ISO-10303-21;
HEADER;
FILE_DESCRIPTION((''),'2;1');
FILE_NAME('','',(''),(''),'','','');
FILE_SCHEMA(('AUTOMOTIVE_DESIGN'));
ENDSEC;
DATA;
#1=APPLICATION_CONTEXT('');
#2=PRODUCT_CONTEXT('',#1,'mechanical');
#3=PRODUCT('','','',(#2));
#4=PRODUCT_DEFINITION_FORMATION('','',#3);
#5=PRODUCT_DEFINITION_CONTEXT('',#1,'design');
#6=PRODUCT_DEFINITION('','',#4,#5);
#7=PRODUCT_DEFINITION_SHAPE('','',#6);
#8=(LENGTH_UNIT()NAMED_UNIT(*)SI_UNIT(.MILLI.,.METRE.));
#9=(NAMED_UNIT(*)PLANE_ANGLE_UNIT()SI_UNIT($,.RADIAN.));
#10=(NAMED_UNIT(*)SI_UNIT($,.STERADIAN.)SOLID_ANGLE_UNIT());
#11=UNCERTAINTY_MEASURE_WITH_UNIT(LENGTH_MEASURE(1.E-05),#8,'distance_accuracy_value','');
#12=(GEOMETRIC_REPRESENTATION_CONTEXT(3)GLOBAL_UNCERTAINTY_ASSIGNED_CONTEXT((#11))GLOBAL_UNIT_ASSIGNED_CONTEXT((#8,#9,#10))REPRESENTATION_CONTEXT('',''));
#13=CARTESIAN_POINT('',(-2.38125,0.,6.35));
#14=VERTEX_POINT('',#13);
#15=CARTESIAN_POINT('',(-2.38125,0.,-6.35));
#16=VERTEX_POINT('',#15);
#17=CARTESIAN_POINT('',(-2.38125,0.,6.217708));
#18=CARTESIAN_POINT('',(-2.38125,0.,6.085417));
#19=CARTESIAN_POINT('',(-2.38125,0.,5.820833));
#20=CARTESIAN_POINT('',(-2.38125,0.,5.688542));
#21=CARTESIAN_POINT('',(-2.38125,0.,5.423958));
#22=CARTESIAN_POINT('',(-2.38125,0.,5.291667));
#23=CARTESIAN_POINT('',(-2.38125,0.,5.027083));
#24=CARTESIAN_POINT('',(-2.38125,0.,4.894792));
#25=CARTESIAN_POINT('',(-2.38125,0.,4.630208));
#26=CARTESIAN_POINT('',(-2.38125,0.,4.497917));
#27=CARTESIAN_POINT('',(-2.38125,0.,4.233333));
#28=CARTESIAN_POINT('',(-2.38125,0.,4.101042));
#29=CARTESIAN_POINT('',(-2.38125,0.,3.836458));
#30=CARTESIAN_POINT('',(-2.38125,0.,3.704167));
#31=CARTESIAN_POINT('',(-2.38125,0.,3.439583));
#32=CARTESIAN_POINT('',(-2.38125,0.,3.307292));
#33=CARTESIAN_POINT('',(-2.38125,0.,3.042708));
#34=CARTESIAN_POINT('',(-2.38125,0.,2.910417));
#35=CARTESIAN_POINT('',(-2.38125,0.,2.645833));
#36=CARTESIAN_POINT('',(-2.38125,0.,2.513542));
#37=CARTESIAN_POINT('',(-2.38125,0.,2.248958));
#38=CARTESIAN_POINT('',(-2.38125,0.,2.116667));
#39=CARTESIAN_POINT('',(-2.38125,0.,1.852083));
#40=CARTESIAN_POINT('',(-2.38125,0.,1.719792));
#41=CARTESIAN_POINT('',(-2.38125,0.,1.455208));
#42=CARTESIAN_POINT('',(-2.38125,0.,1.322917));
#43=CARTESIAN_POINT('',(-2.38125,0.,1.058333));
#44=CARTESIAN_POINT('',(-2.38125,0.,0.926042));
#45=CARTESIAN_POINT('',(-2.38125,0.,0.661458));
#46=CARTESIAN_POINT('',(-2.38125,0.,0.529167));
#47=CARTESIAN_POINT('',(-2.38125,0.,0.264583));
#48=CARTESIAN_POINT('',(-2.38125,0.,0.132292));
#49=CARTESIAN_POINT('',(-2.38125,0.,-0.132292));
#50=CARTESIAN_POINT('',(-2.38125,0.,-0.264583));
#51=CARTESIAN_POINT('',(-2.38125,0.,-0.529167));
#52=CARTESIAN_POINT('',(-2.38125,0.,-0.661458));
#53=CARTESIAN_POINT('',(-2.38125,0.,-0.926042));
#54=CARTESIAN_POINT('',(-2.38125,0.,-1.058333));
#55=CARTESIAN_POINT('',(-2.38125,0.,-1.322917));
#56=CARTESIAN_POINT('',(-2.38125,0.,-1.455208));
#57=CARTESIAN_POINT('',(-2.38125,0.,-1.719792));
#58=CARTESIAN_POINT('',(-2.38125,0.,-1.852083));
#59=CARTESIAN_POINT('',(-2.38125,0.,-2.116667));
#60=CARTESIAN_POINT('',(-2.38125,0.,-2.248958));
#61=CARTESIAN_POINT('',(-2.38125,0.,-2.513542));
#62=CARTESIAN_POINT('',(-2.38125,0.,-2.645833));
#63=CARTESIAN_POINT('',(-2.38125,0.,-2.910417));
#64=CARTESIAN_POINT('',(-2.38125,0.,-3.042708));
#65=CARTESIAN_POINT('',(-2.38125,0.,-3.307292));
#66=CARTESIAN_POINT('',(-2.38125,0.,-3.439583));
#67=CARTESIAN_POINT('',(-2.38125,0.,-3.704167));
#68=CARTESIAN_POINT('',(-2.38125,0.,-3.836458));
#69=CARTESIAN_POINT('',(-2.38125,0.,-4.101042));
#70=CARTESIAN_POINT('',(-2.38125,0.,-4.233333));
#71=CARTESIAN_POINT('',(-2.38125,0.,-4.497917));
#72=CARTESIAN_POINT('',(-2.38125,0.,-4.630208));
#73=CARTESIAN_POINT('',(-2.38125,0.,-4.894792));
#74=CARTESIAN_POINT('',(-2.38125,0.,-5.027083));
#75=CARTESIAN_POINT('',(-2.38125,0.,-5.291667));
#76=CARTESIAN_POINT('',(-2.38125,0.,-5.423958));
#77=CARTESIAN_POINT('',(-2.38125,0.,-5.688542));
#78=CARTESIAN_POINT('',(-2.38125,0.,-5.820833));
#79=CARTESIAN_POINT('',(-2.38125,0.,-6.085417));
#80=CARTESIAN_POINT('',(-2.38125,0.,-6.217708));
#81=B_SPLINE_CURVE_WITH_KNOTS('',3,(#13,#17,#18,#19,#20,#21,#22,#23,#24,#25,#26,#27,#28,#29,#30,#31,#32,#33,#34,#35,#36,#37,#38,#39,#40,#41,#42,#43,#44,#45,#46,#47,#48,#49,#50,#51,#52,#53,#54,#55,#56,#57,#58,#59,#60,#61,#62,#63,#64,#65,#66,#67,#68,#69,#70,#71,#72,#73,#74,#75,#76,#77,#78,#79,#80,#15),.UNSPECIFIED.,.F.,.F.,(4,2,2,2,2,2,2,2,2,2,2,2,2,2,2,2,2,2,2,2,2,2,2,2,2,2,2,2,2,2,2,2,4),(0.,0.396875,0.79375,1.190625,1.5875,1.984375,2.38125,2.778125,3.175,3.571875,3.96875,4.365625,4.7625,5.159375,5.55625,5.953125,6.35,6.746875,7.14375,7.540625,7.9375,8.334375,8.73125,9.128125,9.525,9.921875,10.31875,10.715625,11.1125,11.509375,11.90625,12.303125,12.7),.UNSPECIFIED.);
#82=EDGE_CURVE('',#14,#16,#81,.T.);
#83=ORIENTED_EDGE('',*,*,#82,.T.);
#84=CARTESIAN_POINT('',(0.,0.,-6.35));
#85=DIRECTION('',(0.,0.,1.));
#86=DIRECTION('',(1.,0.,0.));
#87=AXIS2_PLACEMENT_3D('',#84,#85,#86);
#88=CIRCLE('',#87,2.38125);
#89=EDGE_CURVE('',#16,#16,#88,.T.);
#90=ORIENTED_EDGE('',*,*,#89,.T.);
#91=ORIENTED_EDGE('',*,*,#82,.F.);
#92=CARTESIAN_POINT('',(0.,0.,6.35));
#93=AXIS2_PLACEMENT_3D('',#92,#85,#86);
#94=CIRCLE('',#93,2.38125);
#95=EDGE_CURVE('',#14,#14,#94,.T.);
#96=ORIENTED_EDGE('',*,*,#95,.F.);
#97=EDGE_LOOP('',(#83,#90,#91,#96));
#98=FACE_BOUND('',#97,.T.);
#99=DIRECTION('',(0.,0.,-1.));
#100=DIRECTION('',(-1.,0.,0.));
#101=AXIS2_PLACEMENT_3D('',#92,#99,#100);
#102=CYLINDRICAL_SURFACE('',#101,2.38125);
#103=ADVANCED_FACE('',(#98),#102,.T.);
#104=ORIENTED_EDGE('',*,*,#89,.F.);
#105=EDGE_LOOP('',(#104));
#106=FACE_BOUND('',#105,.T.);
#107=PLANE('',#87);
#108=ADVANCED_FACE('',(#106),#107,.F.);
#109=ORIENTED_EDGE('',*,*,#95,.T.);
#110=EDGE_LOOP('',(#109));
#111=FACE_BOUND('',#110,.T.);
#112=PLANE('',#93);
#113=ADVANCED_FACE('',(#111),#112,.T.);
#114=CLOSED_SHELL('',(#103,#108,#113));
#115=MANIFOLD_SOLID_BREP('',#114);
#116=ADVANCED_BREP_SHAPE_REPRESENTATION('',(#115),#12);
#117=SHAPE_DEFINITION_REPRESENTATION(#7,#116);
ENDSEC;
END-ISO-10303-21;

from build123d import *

# Parameters (mm, degrees)
SKETCH2_R           = 2.38125
BOSS_EXTRUDE1_DEPTH = 6.35


with BuildPart() as part:
    # Sketch2 → Boss-Extrude1 (new, symmetric)
    with BuildSketch(Plane.XY):
        with Locations(Location((0, 0, 0), (0, 0, 180))):
            Circle(SKETCH2_R)
    extrude(amount=BOSS_EXTRUDE1_DEPTH, both=True)


solid = part.part
